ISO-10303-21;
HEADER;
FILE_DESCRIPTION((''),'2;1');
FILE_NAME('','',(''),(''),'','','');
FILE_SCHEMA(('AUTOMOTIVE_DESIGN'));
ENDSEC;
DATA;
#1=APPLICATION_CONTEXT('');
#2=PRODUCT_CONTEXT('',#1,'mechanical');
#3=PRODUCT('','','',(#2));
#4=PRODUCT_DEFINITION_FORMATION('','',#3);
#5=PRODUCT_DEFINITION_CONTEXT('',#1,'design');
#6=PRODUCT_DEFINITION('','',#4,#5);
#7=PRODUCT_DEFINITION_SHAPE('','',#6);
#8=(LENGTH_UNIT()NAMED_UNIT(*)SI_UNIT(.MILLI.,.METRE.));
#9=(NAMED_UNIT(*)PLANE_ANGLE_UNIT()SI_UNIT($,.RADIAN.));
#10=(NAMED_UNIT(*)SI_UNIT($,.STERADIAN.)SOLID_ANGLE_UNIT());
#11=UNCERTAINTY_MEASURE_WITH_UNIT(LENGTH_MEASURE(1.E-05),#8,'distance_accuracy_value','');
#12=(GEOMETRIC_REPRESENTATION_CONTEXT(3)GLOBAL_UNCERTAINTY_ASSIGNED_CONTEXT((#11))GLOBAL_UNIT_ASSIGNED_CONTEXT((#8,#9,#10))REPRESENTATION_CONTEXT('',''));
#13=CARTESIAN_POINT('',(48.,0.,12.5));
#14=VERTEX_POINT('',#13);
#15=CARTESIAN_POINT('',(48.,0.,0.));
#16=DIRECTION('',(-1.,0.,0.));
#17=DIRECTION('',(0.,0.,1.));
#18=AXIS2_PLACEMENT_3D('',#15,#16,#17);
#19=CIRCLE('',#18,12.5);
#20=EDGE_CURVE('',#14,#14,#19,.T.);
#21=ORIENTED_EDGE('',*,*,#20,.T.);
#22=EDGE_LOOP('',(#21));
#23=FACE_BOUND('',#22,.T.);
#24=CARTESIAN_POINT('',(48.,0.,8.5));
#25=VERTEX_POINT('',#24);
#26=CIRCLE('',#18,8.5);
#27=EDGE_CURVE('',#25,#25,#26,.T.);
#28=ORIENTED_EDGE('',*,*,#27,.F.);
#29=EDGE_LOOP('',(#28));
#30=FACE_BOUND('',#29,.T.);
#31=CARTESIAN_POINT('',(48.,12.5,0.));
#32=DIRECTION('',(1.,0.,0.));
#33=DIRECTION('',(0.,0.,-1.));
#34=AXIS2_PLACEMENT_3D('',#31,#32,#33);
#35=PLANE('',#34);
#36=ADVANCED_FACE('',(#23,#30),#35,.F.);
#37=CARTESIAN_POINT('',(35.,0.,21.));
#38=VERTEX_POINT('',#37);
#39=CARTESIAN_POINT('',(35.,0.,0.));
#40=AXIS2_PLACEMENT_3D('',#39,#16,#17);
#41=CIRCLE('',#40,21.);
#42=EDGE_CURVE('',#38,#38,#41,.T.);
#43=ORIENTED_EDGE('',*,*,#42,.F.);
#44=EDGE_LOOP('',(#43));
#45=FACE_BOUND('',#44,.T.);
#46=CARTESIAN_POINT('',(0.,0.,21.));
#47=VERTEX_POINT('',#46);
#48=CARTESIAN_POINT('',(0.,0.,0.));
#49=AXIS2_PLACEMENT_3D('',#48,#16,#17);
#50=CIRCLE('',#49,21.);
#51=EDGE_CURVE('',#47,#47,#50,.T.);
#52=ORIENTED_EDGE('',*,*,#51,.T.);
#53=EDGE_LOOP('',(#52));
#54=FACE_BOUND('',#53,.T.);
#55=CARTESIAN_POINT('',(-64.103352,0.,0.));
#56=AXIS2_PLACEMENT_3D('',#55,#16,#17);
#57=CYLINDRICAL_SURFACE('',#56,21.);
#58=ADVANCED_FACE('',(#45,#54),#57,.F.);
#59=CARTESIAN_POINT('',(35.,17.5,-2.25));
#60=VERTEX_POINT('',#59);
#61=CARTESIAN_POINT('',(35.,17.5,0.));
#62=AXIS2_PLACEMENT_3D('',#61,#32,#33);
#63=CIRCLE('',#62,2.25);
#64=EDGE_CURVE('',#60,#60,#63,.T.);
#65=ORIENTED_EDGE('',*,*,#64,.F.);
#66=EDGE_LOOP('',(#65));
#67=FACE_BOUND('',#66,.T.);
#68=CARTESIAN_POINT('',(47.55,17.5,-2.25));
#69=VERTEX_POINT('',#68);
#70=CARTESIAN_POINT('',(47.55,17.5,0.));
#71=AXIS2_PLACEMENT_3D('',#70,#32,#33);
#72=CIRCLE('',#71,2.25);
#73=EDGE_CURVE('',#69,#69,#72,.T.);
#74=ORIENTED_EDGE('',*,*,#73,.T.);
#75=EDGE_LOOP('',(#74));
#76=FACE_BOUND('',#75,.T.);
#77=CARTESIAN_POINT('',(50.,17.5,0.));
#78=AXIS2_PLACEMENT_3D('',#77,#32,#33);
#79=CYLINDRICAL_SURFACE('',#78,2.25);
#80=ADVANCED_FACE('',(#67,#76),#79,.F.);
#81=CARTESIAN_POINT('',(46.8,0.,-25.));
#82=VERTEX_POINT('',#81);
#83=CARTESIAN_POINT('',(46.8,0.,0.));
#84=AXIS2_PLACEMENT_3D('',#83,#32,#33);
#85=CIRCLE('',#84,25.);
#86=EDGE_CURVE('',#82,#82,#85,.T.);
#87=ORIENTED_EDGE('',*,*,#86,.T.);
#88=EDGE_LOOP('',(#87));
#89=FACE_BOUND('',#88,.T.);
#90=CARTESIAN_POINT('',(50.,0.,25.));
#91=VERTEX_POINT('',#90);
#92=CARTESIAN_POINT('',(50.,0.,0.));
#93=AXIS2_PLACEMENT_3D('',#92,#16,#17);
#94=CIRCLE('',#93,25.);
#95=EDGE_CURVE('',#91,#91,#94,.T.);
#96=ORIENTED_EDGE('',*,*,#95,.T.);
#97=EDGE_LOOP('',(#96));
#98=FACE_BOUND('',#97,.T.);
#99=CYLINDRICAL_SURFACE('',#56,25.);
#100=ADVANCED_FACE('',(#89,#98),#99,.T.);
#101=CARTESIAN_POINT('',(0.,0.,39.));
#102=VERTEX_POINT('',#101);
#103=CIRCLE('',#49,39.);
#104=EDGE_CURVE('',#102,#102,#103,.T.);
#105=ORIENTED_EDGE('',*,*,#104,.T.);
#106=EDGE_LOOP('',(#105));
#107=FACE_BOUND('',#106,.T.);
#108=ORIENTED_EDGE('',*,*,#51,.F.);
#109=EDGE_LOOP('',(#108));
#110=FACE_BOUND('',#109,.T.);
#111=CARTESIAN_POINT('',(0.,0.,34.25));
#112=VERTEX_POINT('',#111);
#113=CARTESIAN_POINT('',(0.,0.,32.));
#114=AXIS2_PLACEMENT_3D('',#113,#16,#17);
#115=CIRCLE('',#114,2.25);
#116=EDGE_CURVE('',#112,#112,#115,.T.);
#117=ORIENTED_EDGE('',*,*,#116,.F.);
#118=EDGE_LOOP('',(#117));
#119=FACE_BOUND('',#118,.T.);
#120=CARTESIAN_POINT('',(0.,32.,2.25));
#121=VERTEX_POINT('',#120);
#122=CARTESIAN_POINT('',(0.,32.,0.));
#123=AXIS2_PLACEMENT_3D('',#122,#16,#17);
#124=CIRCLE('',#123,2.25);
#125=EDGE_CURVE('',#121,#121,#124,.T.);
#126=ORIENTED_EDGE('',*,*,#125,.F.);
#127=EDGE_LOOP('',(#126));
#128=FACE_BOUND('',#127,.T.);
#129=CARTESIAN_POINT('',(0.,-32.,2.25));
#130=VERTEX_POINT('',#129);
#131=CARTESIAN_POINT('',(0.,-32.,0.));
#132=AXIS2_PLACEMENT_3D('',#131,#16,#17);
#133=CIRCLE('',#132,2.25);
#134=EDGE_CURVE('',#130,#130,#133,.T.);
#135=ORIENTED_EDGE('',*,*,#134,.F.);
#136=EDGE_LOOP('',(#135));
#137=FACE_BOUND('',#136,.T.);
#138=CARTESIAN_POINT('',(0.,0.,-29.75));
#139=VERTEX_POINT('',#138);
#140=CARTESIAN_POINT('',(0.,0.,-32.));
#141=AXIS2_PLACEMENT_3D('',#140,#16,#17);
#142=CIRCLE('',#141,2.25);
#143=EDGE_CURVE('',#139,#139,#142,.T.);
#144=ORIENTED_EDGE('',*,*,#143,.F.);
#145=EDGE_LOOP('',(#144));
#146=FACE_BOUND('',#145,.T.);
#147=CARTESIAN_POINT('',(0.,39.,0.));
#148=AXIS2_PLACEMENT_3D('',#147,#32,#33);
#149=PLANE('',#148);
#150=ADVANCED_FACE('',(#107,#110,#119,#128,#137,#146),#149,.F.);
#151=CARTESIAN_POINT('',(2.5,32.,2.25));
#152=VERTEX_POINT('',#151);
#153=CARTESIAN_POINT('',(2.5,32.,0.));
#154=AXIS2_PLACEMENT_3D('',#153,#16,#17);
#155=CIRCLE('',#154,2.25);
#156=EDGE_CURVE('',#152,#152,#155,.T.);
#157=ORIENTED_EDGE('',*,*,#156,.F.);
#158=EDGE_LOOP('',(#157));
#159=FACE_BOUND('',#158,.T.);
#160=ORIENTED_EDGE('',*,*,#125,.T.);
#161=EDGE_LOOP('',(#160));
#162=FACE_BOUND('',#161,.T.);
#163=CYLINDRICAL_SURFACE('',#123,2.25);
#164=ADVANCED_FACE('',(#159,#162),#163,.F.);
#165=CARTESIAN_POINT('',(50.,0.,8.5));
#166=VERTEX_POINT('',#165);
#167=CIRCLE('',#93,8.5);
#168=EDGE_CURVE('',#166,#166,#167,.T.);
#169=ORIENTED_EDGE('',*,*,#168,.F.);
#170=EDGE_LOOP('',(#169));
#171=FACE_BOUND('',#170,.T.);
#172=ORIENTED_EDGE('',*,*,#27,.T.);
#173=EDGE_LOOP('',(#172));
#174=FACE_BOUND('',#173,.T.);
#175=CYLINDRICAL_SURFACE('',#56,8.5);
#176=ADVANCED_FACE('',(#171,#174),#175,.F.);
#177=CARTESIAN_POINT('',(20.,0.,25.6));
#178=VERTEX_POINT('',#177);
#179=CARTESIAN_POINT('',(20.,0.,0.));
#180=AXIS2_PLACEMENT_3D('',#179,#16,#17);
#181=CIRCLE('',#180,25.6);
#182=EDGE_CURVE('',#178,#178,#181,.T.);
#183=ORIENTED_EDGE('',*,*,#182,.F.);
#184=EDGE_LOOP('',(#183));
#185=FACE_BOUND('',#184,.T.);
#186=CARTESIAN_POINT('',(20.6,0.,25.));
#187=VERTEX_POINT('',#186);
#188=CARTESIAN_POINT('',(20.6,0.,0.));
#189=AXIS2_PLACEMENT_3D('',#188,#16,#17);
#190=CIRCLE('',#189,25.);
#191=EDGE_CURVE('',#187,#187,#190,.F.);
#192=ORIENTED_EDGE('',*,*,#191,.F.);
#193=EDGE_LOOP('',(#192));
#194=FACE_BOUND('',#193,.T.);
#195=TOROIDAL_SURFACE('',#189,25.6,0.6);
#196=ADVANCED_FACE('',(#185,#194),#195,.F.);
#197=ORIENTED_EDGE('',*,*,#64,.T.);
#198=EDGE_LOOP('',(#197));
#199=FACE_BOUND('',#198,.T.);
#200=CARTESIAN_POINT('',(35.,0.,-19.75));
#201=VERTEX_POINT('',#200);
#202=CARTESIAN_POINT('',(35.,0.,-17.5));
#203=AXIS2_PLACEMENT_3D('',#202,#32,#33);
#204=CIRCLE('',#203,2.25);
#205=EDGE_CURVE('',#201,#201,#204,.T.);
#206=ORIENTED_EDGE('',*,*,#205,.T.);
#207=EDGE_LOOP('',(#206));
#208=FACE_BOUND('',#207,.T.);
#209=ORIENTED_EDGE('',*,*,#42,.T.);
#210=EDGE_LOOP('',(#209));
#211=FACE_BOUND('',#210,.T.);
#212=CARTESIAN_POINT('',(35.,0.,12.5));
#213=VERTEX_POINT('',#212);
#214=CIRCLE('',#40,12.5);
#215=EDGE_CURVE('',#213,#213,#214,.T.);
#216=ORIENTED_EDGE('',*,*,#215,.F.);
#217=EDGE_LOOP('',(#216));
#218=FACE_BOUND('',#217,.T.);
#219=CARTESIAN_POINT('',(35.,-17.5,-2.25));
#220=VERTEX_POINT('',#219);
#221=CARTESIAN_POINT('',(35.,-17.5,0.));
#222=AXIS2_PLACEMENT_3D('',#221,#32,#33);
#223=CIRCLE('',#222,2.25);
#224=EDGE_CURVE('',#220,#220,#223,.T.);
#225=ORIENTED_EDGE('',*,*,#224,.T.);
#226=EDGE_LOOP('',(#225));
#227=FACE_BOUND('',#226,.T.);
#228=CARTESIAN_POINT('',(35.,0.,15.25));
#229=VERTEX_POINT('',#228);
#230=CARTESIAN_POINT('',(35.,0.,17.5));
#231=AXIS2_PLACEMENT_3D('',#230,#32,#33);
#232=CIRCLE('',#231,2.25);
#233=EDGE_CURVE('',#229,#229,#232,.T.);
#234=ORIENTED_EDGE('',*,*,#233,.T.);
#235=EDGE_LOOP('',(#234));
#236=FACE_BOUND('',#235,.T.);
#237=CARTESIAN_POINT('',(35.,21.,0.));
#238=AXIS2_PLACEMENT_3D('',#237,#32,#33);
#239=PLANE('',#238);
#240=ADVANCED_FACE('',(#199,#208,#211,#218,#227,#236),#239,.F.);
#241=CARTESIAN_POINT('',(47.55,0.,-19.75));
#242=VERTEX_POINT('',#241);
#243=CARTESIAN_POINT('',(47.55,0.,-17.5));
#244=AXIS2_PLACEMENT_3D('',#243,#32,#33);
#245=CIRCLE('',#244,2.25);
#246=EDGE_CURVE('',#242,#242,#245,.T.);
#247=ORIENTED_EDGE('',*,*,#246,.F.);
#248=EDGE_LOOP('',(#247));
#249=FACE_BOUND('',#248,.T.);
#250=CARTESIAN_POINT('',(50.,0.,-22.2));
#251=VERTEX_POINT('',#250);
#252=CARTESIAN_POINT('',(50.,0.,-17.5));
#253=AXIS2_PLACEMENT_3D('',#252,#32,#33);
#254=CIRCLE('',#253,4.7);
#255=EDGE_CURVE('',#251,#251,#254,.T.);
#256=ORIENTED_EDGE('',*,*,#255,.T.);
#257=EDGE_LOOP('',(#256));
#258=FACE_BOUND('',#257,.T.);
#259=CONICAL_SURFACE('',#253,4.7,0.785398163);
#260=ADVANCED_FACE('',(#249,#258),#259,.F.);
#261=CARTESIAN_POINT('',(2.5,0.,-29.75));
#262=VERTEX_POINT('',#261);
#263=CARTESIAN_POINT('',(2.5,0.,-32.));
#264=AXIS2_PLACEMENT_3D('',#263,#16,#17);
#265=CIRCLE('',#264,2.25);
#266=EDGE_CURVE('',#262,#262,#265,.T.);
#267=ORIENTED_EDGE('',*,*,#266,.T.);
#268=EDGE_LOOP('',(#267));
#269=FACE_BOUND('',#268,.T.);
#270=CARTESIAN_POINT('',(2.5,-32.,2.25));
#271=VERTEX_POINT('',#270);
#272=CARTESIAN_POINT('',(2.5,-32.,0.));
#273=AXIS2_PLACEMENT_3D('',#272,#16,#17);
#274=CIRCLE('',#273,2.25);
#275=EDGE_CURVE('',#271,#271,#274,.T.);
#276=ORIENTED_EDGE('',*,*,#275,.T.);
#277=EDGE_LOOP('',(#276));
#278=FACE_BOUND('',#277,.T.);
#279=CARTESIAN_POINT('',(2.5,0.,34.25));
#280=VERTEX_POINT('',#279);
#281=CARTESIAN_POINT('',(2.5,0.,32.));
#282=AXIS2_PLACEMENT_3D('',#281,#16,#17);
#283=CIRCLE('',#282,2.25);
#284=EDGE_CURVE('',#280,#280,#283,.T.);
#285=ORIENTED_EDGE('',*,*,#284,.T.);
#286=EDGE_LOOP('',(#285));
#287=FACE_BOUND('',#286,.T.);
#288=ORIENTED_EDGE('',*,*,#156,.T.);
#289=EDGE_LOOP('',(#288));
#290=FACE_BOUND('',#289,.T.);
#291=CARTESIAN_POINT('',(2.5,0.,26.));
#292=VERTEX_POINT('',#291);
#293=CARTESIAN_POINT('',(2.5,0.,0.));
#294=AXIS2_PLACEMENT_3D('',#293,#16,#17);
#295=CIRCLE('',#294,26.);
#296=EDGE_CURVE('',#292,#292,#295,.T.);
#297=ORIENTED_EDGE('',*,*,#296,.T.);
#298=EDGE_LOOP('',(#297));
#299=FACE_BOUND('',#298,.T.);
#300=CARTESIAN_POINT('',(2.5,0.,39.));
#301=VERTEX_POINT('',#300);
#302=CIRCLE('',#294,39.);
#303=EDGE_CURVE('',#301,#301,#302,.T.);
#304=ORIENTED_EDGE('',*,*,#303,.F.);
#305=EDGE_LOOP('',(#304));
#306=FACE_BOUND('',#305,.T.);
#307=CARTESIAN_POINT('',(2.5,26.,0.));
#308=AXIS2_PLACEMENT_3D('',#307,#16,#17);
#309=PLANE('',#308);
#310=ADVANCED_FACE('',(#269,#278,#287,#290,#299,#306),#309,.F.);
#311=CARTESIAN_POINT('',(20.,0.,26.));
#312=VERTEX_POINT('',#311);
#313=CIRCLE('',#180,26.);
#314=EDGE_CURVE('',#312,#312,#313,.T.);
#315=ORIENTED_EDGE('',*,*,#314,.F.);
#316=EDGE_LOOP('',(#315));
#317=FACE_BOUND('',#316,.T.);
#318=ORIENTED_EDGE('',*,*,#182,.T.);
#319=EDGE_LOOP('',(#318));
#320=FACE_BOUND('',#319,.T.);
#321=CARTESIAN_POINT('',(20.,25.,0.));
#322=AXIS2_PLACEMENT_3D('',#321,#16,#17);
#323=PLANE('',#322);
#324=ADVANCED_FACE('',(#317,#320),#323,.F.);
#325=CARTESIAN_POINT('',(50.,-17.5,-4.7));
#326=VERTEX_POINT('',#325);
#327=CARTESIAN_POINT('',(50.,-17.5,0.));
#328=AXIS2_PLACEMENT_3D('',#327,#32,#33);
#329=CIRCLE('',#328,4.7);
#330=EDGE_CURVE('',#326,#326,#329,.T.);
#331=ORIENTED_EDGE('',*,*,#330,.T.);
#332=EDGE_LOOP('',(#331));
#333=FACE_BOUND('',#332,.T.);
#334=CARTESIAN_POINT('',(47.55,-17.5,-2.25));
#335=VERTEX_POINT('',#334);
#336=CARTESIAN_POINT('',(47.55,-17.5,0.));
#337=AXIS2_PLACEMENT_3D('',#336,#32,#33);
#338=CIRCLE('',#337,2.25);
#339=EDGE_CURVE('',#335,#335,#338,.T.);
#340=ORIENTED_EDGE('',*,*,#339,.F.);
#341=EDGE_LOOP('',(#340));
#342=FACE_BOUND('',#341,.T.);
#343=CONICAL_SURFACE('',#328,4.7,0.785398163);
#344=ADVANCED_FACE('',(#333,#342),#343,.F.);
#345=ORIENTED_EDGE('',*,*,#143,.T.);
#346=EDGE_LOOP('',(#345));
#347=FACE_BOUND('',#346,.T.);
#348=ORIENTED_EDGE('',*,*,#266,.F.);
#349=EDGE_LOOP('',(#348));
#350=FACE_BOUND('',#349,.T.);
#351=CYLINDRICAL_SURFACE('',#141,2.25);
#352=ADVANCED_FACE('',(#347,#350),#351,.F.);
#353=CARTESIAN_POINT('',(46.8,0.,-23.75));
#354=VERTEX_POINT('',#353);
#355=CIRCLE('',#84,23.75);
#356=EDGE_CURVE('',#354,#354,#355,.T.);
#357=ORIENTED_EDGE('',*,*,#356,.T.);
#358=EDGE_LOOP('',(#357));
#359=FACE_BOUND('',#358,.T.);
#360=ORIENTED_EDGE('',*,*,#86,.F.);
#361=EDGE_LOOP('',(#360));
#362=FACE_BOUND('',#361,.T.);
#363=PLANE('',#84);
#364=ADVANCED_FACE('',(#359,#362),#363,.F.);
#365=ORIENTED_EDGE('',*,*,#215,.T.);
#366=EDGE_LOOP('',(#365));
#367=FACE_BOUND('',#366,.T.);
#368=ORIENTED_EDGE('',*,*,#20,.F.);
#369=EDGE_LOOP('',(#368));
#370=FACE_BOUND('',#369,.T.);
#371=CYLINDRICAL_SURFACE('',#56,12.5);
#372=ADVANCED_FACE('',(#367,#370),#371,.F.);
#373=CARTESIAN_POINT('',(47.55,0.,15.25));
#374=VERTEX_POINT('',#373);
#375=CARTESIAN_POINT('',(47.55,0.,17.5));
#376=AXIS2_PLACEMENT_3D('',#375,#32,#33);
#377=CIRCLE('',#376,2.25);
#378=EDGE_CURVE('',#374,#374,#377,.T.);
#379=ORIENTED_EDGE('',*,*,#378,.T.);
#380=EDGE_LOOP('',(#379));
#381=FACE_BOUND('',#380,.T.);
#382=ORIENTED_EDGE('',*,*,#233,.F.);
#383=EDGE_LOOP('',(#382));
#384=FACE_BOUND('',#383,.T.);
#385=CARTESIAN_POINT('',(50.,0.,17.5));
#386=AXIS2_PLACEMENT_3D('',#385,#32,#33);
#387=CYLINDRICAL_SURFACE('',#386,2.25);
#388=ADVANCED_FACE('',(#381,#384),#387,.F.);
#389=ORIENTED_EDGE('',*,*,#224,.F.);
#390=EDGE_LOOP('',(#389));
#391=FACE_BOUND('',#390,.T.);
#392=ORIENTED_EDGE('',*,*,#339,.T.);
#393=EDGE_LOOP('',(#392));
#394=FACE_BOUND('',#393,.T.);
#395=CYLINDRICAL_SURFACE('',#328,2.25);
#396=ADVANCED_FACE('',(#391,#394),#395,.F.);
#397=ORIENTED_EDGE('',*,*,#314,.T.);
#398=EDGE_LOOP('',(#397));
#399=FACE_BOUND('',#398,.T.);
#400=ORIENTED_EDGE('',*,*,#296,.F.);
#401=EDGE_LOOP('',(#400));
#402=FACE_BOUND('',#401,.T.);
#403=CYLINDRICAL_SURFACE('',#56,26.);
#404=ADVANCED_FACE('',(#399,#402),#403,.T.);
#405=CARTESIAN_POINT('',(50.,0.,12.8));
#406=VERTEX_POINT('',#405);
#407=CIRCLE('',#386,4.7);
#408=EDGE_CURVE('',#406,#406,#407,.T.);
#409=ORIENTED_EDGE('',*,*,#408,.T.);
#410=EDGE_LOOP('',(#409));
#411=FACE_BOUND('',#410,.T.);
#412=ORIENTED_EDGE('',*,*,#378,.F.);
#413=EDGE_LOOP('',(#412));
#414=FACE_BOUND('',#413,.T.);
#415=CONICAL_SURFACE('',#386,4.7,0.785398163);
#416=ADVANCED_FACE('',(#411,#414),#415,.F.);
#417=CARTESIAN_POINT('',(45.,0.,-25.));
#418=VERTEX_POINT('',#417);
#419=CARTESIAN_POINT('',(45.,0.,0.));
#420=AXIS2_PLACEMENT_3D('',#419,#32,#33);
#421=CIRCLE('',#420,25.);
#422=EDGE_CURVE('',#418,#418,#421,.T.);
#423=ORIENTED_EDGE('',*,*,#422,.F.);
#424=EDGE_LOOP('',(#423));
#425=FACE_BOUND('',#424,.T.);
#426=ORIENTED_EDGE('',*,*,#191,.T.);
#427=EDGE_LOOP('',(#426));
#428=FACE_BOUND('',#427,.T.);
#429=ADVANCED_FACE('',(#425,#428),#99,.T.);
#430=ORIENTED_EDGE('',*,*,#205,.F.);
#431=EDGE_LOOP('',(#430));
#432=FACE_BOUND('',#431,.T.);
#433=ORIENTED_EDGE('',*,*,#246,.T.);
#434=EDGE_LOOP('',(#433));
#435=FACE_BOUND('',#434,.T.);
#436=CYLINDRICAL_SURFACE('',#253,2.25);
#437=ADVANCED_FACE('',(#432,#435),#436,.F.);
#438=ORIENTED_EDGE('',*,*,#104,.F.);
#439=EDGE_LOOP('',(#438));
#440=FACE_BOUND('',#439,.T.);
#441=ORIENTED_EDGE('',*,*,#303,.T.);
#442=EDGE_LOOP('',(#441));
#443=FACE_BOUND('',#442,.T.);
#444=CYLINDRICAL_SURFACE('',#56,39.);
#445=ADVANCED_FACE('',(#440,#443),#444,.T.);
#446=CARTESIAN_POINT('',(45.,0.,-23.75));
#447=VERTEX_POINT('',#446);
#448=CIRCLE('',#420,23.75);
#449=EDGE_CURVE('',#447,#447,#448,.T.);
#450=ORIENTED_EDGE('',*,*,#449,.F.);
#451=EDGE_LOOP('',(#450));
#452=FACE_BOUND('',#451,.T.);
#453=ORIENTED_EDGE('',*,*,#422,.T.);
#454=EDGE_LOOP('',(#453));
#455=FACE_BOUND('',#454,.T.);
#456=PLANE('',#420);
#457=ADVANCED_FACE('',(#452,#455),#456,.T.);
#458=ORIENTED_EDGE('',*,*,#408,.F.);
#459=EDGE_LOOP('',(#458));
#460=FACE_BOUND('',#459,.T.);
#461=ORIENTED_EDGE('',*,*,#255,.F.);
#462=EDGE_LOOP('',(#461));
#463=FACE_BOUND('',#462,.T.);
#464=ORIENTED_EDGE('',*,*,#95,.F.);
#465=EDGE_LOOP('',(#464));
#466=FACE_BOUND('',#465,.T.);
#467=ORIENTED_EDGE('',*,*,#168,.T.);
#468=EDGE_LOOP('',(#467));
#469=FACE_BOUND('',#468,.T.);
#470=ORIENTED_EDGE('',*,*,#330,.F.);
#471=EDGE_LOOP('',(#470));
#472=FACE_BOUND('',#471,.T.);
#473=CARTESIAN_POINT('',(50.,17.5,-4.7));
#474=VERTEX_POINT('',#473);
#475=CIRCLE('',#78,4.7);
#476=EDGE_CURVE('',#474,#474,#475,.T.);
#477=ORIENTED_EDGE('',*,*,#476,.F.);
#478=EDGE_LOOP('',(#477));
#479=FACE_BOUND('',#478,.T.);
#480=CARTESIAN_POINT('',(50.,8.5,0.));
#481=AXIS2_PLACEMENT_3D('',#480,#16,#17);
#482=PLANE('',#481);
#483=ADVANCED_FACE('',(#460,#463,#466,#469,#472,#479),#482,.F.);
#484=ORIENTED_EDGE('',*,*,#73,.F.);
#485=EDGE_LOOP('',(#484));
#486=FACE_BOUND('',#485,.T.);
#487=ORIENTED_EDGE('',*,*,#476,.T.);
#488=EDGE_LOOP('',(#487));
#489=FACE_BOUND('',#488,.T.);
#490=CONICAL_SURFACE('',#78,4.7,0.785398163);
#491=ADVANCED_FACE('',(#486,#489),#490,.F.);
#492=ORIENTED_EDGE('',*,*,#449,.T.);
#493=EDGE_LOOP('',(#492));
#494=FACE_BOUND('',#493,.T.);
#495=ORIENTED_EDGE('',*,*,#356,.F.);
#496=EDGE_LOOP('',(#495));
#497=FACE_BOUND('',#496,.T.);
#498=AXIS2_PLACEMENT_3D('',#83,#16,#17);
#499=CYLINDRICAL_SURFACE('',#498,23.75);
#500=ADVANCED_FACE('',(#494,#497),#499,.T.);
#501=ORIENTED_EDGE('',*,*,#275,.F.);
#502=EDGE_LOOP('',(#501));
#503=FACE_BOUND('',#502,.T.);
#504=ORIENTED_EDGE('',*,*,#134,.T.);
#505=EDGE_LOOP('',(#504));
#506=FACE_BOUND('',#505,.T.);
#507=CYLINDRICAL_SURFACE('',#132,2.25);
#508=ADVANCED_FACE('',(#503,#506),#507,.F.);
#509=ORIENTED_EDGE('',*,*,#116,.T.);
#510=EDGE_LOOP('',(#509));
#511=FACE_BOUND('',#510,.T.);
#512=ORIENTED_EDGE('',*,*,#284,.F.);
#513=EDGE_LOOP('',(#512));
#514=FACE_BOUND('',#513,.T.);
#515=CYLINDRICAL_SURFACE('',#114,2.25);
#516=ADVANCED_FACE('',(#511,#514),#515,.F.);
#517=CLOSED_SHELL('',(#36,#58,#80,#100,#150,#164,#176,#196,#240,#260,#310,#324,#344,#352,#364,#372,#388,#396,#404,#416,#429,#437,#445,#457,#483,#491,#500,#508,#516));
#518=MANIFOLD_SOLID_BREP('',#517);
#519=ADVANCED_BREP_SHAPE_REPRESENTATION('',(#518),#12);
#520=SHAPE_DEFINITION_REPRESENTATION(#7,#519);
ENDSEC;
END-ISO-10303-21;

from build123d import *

# Parameters (mm, degrees)
CSK_FOR_M4_FLAT_HEAD_MACHINE_SCREW1_D           = 4.5
CSK_FOR_M4_FLAT_HEAD_MACHINE_SCREW1_DEPTH       = 15
CSK_FOR_M4_FLAT_HEAD_MACHINE_SCREW1_CSINK_D     = 9.4
CSK_FOR_M4_FLAT_HEAD_MACHINE_SCREW1_CSINK_ANGLE = 90
FILLET1_R                                       = 0.6
SKETCH9_R                                       = 25
SKETCH9_R_2                                     = 23.75
CUT_EXTRUDE1_DEPTH                              = 1.8
M4_CLEARANCE_HOLE1_D                            = 4.5
M4_CLEARANCE_HOLE1_DEPTH                        = 2.5


with BuildPart() as part:
    # Sketch2 → Revolve1 (revolve)
    with BuildSketch(Plane.XY):
        Polygon((0, 21), (35, 21), (35, 12.5), (48, 12.5), (48, 8.5), (50, 8.5), (50, 25), (20, 25), (20, 26), (2.5, 26), (2.5, 39), (0, 39), (0, 26), align=None)
    revolve(axis=Axis((-64.103352454, 0, 0), (1, 0, 0)))

    # CSK for M4 Flat Head Machine Screw1
    with Locations(Plane(origin=(50, 0, 0), x_dir=(0, 0, -1), z_dir=(1, 0, 0))):
        with Locations((0, 17.5), (17.5, 0), (0, -17.5), (-17.5, 0)):
            CounterSinkHole(CSK_FOR_M4_FLAT_HEAD_MACHINE_SCREW1_D / 2, CSK_FOR_M4_FLAT_HEAD_MACHINE_SCREW1_CSINK_D / 2, depth=CSK_FOR_M4_FLAT_HEAD_MACHINE_SCREW1_DEPTH, counter_sink_angle=CSK_FOR_M4_FLAT_HEAD_MACHINE_SCREW1_CSINK_ANGLE)

    # Fillet1
    fillet1_edges = [part.edges().sort_by_distance(p)[0] for p in [
        (20, -25, 0),
    ]]
    fillet(fillet1_edges, radius=FILLET1_R)

    # Sketch9 → Cut-Extrude1 (cut)
    with BuildSketch(Plane(origin=(45, 0, 0), x_dir=(0, 0, -1), z_dir=(1, 0, 0))):
        Circle(SKETCH9_R)
        Circle(SKETCH9_R_2, mode=Mode.SUBTRACT)
    extrude(amount=CUT_EXTRUDE1_DEPTH, mode=Mode.SUBTRACT)

    # M4 Clearance Hole1
    with Locations(Plane.ZY):
        with Locations((0, 32), (0, -32), (32, 0), (-32, 0)):
            Hole(M4_CLEARANCE_HOLE1_D / 2, depth=M4_CLEARANCE_HOLE1_DEPTH)


solid = part.part
